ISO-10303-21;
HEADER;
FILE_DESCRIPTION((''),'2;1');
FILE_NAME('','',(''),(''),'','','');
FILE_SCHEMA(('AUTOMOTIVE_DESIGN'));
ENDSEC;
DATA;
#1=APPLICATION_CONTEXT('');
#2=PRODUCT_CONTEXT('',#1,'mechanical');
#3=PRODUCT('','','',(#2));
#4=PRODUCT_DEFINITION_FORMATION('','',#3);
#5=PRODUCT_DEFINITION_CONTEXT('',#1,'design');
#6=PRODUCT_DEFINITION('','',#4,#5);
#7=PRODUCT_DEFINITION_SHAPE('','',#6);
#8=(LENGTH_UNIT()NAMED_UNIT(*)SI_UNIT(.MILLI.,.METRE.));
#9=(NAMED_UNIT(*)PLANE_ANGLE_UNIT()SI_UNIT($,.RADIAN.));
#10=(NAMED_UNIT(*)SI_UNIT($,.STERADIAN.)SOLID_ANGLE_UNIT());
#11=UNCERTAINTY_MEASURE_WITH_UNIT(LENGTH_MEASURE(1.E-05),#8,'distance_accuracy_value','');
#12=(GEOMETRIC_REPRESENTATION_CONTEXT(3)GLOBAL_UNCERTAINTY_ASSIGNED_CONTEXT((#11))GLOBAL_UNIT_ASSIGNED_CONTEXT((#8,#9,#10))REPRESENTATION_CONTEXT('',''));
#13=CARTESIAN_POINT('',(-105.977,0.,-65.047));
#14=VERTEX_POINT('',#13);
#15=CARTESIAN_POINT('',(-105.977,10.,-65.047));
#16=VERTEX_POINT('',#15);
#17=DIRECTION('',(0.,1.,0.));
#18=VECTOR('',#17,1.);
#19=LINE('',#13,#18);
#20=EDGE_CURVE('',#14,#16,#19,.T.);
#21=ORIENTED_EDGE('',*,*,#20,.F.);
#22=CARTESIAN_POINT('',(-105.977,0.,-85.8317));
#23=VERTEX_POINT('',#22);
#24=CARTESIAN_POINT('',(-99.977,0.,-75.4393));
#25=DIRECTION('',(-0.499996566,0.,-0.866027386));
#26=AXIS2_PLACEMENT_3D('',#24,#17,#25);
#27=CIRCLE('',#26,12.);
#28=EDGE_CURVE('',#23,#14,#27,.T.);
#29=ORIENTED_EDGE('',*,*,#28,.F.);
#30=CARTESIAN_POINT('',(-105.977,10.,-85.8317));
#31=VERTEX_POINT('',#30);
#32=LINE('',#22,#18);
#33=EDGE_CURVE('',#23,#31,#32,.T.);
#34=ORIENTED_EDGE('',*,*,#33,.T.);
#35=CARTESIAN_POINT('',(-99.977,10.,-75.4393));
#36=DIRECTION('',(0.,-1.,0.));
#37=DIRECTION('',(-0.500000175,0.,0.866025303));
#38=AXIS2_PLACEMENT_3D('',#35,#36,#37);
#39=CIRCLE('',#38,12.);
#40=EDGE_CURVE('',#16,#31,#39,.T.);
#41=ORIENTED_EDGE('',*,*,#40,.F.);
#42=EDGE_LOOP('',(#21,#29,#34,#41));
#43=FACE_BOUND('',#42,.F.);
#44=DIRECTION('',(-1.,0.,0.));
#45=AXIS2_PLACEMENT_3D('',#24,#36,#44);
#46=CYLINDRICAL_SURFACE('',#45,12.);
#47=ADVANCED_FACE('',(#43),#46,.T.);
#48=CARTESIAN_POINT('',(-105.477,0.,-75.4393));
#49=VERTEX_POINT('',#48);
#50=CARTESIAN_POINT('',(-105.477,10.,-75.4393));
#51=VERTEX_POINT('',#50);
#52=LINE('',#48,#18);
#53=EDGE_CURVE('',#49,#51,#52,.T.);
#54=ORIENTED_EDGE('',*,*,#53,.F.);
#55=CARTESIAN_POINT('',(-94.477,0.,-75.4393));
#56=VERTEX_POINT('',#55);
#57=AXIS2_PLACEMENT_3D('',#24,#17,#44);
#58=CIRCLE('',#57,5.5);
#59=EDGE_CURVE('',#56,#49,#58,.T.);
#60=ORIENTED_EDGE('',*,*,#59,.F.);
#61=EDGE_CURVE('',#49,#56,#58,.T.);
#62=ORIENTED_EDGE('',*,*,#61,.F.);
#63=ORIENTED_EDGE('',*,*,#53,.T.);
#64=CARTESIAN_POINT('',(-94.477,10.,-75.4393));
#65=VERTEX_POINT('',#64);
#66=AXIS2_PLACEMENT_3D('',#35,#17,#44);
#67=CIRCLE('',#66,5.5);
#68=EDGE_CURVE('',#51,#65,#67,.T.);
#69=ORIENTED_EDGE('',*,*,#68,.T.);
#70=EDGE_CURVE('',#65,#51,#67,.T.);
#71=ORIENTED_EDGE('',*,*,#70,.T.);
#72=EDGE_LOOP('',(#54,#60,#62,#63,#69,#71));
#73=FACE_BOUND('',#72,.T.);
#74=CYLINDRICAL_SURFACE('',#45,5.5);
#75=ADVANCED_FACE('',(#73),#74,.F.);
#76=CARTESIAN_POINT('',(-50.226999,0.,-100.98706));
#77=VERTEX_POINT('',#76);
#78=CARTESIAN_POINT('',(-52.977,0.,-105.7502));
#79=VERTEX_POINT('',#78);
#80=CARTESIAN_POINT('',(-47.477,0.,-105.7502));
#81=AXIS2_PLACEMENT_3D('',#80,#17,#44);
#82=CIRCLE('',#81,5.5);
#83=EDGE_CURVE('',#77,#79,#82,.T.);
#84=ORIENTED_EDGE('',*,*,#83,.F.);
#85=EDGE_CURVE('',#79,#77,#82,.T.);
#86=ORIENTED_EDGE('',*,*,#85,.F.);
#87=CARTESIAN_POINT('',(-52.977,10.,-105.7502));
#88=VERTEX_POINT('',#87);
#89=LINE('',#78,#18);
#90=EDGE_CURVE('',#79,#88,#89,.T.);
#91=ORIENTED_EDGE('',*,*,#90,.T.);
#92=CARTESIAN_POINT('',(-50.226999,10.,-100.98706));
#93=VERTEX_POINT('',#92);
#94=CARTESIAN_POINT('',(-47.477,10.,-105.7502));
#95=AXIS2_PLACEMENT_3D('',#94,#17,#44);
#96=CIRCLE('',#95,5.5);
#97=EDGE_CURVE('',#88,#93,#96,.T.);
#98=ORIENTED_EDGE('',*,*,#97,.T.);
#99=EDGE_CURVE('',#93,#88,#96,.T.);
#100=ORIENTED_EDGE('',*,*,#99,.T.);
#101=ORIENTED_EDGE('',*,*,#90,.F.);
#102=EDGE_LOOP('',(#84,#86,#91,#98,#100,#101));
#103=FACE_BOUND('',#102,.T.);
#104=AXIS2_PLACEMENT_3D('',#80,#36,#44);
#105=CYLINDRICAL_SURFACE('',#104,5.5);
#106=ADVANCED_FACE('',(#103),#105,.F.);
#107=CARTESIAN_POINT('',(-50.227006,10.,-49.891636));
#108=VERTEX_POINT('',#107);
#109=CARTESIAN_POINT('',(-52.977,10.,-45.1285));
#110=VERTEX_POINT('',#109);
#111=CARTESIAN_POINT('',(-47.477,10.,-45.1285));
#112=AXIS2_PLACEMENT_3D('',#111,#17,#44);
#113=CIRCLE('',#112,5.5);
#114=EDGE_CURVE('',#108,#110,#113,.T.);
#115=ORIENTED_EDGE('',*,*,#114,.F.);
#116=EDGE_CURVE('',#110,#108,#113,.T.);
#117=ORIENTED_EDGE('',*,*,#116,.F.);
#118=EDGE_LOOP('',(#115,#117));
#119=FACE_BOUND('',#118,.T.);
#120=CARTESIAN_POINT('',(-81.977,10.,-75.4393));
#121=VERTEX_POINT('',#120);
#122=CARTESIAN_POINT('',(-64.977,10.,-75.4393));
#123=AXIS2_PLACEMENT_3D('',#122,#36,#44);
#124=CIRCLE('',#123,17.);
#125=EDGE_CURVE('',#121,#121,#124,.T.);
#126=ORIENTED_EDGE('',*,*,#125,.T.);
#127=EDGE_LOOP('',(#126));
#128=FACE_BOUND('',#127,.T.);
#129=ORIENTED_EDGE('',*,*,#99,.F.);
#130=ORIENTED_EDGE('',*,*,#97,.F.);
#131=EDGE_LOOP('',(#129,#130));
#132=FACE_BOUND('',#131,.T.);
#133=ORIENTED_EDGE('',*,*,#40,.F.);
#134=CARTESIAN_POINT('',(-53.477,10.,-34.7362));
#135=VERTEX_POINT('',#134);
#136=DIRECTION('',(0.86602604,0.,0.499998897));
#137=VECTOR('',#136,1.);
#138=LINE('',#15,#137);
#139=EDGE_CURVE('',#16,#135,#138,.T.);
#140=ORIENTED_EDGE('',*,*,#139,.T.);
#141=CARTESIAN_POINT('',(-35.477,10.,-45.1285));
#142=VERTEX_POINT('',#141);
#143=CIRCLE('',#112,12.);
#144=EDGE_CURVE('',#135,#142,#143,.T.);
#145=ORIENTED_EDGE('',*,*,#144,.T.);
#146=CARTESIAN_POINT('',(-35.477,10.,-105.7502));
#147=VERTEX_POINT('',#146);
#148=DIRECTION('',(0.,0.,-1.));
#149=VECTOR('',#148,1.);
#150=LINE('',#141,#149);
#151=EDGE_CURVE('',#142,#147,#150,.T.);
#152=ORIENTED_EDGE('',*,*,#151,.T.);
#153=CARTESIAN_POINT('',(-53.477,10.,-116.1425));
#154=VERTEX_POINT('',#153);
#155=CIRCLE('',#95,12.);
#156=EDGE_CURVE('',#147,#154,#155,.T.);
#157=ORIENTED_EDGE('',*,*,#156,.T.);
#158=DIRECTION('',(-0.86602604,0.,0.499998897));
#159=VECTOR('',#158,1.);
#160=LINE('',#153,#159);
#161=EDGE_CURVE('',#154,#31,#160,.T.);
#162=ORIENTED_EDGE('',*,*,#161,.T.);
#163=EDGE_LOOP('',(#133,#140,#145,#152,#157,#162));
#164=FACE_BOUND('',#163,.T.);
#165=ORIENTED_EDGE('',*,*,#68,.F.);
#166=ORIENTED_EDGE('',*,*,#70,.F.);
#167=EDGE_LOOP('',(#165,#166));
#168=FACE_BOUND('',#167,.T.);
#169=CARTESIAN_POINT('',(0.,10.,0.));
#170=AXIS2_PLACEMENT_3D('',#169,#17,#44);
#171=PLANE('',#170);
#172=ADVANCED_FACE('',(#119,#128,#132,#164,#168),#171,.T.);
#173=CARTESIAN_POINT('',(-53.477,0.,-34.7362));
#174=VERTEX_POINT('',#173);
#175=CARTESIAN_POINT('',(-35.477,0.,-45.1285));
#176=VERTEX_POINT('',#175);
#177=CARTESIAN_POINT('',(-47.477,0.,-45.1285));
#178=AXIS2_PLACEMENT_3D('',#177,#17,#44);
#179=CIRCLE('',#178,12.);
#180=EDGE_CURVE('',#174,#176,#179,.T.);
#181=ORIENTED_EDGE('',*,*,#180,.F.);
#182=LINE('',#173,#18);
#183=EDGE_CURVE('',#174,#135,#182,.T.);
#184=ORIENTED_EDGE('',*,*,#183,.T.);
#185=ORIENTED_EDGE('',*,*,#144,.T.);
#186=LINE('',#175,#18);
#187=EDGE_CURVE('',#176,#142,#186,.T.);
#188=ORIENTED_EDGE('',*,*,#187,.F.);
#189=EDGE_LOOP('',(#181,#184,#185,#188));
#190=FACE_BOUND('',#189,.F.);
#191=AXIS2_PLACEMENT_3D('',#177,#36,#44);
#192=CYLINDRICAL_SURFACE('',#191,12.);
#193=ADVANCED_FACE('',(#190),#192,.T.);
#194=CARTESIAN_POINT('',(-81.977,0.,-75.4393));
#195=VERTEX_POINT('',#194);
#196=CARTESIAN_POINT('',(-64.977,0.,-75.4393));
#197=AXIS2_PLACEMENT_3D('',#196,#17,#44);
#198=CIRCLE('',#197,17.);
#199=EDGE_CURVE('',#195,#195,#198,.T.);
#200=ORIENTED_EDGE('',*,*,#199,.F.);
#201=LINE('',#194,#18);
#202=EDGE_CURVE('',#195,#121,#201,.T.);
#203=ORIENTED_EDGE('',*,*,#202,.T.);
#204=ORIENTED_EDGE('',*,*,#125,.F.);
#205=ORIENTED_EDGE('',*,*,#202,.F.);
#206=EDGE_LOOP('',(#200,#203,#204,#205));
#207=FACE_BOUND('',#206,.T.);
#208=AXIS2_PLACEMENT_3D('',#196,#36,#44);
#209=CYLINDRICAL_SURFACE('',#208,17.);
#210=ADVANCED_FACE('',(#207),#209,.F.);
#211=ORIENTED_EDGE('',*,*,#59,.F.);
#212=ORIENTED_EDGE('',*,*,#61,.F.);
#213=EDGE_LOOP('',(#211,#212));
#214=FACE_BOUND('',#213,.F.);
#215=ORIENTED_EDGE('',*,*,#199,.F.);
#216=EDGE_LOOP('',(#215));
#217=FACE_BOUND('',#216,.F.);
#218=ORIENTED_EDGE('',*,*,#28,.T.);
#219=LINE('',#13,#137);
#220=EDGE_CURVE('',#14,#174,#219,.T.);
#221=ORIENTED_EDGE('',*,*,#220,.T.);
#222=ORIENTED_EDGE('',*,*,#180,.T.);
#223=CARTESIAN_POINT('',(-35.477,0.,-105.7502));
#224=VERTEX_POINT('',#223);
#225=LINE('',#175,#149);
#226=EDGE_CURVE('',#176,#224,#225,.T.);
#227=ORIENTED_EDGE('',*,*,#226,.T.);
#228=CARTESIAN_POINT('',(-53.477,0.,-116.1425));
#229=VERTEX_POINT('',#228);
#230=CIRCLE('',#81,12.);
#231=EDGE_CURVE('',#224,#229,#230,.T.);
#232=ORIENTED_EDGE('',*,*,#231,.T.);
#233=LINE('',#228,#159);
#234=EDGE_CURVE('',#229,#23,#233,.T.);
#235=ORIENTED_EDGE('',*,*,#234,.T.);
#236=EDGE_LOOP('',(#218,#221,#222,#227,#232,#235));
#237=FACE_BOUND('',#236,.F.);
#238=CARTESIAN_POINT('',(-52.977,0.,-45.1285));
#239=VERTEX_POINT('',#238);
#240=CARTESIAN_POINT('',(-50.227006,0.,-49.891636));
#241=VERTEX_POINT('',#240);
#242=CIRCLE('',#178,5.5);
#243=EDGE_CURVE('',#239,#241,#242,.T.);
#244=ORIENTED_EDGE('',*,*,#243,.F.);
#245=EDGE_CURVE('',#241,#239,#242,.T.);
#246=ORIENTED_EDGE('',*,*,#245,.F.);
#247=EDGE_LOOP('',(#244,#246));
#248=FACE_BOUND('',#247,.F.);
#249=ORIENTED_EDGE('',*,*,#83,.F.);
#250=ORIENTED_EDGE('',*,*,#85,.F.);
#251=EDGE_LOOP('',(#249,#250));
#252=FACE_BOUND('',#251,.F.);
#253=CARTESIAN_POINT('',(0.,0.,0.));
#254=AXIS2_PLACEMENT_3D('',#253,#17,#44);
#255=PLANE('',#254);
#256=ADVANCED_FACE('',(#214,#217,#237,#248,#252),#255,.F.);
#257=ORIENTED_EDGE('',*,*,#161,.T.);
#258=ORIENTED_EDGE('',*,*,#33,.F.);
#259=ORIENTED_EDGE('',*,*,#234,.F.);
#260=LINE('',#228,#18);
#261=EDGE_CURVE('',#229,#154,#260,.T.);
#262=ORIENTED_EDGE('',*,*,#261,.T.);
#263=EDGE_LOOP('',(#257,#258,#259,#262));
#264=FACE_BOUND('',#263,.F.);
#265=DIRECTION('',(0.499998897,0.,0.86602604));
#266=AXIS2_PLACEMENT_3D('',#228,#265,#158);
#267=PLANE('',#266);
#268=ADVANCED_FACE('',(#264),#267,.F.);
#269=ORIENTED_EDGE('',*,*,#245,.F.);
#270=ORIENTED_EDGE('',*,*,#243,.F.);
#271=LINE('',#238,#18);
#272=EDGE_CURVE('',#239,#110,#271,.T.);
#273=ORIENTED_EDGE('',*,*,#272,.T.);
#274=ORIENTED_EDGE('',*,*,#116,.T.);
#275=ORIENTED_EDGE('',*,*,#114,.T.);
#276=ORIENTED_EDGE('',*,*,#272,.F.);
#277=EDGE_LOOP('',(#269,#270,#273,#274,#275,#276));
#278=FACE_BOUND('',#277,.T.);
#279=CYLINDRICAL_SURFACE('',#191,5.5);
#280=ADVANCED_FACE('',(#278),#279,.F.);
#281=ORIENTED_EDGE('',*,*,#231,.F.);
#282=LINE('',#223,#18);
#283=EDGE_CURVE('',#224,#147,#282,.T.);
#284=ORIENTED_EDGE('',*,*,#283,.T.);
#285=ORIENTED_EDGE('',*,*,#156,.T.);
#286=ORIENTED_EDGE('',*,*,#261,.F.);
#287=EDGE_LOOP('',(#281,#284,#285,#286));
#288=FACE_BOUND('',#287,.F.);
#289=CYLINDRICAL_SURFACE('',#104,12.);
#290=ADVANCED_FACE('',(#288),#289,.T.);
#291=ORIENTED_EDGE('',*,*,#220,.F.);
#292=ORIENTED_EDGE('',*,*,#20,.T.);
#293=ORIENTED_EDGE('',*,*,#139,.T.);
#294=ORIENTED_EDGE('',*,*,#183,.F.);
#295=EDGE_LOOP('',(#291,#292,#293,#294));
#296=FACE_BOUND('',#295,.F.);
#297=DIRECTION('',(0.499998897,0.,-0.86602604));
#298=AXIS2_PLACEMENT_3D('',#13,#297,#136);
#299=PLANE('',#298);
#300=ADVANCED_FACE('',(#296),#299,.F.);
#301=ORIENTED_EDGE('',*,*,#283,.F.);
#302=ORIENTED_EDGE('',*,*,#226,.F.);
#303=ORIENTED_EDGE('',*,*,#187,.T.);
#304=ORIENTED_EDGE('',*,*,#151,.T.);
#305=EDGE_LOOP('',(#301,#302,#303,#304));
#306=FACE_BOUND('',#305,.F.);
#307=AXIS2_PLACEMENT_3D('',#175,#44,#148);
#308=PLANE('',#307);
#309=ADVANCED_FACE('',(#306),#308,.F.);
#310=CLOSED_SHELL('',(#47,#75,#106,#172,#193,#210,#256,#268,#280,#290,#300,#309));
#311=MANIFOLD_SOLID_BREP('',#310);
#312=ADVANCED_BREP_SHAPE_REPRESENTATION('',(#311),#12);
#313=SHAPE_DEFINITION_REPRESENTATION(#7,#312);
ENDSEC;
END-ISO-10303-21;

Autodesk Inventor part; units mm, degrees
ref_plane "YZ Plane" through (0, 0, 0) normal (1, 0, 0) x (0, 1, 0)
ref_plane "XZ Plane" through (0, 0, 0) normal (0, 1, 0) x (-1, 0, 0)
ref_plane "XY Plane" through (0, 0, 0) normal (0, 0, 1) x (1, 0, 0)
sketch "Sketch1" plane through (0, 0, 0) normal (0, 1, 0) x (-1, 0, 0)
  circle A0 centre (64.977, -75.4393) radius 17
  line L0 (64.977, -75.4393) -> (99.977, -75.4393)
  line L1 (64.977, -75.4393) -> (47.477, -45.1285)
  line L2 (64.977, -75.4393) -> (47.477, -105.7502)
  circle A1 centre (47.477, -45.1285) radius 12
  circle A2 centre (99.977, -75.4393) radius 12
  circle A3 centre (47.477, -105.7502) radius 12
  circle A4 centre (47.477, -45.1285) radius 5.5
  circle A5 centre (99.977, -75.4393) radius 5.5
  circle A6 centre (47.477, -105.7502) radius 5.5
  line L3 (105.977, -65.047) -> (53.477, -34.7362)
  line L4 (35.477, -45.1285) -> (35.477, -105.7502)
  line L5 (53.477, -116.1425) -> (105.977, -85.8317)
  point P0 (0, 0)
  dimension "d0" = 120
  dimension "d1" = 120
  dimension "d2" = 120
  dimension "d3" = 35
  dimension "d5" = 34
  dimension "d6" = 35
  dimension "d7" = 35
  dimension "d8" = 24
  dimension "d9" = 24
  dimension "d10" = 24
  dimension "d11" = 11
  dimension "d13" = 11
  dimension "d14" = 11
extrude "Extrusion1" add sketch "Sketch1" along normal blind 10 contours L0 A2 L5 A3 L2 A0 | A0 L1 A1 L3 A2 L0 | A0 L2 A3 L4 A1 L1 | A2 | A1 | A3
equation "\"d1\" = d0"
equation "\"d6\" = d3"
equation "\"d7\" = d3"
equation "\"d9\" = d8"
equation "\"d10\" = d8"
equation "\"d13\" = d11"
